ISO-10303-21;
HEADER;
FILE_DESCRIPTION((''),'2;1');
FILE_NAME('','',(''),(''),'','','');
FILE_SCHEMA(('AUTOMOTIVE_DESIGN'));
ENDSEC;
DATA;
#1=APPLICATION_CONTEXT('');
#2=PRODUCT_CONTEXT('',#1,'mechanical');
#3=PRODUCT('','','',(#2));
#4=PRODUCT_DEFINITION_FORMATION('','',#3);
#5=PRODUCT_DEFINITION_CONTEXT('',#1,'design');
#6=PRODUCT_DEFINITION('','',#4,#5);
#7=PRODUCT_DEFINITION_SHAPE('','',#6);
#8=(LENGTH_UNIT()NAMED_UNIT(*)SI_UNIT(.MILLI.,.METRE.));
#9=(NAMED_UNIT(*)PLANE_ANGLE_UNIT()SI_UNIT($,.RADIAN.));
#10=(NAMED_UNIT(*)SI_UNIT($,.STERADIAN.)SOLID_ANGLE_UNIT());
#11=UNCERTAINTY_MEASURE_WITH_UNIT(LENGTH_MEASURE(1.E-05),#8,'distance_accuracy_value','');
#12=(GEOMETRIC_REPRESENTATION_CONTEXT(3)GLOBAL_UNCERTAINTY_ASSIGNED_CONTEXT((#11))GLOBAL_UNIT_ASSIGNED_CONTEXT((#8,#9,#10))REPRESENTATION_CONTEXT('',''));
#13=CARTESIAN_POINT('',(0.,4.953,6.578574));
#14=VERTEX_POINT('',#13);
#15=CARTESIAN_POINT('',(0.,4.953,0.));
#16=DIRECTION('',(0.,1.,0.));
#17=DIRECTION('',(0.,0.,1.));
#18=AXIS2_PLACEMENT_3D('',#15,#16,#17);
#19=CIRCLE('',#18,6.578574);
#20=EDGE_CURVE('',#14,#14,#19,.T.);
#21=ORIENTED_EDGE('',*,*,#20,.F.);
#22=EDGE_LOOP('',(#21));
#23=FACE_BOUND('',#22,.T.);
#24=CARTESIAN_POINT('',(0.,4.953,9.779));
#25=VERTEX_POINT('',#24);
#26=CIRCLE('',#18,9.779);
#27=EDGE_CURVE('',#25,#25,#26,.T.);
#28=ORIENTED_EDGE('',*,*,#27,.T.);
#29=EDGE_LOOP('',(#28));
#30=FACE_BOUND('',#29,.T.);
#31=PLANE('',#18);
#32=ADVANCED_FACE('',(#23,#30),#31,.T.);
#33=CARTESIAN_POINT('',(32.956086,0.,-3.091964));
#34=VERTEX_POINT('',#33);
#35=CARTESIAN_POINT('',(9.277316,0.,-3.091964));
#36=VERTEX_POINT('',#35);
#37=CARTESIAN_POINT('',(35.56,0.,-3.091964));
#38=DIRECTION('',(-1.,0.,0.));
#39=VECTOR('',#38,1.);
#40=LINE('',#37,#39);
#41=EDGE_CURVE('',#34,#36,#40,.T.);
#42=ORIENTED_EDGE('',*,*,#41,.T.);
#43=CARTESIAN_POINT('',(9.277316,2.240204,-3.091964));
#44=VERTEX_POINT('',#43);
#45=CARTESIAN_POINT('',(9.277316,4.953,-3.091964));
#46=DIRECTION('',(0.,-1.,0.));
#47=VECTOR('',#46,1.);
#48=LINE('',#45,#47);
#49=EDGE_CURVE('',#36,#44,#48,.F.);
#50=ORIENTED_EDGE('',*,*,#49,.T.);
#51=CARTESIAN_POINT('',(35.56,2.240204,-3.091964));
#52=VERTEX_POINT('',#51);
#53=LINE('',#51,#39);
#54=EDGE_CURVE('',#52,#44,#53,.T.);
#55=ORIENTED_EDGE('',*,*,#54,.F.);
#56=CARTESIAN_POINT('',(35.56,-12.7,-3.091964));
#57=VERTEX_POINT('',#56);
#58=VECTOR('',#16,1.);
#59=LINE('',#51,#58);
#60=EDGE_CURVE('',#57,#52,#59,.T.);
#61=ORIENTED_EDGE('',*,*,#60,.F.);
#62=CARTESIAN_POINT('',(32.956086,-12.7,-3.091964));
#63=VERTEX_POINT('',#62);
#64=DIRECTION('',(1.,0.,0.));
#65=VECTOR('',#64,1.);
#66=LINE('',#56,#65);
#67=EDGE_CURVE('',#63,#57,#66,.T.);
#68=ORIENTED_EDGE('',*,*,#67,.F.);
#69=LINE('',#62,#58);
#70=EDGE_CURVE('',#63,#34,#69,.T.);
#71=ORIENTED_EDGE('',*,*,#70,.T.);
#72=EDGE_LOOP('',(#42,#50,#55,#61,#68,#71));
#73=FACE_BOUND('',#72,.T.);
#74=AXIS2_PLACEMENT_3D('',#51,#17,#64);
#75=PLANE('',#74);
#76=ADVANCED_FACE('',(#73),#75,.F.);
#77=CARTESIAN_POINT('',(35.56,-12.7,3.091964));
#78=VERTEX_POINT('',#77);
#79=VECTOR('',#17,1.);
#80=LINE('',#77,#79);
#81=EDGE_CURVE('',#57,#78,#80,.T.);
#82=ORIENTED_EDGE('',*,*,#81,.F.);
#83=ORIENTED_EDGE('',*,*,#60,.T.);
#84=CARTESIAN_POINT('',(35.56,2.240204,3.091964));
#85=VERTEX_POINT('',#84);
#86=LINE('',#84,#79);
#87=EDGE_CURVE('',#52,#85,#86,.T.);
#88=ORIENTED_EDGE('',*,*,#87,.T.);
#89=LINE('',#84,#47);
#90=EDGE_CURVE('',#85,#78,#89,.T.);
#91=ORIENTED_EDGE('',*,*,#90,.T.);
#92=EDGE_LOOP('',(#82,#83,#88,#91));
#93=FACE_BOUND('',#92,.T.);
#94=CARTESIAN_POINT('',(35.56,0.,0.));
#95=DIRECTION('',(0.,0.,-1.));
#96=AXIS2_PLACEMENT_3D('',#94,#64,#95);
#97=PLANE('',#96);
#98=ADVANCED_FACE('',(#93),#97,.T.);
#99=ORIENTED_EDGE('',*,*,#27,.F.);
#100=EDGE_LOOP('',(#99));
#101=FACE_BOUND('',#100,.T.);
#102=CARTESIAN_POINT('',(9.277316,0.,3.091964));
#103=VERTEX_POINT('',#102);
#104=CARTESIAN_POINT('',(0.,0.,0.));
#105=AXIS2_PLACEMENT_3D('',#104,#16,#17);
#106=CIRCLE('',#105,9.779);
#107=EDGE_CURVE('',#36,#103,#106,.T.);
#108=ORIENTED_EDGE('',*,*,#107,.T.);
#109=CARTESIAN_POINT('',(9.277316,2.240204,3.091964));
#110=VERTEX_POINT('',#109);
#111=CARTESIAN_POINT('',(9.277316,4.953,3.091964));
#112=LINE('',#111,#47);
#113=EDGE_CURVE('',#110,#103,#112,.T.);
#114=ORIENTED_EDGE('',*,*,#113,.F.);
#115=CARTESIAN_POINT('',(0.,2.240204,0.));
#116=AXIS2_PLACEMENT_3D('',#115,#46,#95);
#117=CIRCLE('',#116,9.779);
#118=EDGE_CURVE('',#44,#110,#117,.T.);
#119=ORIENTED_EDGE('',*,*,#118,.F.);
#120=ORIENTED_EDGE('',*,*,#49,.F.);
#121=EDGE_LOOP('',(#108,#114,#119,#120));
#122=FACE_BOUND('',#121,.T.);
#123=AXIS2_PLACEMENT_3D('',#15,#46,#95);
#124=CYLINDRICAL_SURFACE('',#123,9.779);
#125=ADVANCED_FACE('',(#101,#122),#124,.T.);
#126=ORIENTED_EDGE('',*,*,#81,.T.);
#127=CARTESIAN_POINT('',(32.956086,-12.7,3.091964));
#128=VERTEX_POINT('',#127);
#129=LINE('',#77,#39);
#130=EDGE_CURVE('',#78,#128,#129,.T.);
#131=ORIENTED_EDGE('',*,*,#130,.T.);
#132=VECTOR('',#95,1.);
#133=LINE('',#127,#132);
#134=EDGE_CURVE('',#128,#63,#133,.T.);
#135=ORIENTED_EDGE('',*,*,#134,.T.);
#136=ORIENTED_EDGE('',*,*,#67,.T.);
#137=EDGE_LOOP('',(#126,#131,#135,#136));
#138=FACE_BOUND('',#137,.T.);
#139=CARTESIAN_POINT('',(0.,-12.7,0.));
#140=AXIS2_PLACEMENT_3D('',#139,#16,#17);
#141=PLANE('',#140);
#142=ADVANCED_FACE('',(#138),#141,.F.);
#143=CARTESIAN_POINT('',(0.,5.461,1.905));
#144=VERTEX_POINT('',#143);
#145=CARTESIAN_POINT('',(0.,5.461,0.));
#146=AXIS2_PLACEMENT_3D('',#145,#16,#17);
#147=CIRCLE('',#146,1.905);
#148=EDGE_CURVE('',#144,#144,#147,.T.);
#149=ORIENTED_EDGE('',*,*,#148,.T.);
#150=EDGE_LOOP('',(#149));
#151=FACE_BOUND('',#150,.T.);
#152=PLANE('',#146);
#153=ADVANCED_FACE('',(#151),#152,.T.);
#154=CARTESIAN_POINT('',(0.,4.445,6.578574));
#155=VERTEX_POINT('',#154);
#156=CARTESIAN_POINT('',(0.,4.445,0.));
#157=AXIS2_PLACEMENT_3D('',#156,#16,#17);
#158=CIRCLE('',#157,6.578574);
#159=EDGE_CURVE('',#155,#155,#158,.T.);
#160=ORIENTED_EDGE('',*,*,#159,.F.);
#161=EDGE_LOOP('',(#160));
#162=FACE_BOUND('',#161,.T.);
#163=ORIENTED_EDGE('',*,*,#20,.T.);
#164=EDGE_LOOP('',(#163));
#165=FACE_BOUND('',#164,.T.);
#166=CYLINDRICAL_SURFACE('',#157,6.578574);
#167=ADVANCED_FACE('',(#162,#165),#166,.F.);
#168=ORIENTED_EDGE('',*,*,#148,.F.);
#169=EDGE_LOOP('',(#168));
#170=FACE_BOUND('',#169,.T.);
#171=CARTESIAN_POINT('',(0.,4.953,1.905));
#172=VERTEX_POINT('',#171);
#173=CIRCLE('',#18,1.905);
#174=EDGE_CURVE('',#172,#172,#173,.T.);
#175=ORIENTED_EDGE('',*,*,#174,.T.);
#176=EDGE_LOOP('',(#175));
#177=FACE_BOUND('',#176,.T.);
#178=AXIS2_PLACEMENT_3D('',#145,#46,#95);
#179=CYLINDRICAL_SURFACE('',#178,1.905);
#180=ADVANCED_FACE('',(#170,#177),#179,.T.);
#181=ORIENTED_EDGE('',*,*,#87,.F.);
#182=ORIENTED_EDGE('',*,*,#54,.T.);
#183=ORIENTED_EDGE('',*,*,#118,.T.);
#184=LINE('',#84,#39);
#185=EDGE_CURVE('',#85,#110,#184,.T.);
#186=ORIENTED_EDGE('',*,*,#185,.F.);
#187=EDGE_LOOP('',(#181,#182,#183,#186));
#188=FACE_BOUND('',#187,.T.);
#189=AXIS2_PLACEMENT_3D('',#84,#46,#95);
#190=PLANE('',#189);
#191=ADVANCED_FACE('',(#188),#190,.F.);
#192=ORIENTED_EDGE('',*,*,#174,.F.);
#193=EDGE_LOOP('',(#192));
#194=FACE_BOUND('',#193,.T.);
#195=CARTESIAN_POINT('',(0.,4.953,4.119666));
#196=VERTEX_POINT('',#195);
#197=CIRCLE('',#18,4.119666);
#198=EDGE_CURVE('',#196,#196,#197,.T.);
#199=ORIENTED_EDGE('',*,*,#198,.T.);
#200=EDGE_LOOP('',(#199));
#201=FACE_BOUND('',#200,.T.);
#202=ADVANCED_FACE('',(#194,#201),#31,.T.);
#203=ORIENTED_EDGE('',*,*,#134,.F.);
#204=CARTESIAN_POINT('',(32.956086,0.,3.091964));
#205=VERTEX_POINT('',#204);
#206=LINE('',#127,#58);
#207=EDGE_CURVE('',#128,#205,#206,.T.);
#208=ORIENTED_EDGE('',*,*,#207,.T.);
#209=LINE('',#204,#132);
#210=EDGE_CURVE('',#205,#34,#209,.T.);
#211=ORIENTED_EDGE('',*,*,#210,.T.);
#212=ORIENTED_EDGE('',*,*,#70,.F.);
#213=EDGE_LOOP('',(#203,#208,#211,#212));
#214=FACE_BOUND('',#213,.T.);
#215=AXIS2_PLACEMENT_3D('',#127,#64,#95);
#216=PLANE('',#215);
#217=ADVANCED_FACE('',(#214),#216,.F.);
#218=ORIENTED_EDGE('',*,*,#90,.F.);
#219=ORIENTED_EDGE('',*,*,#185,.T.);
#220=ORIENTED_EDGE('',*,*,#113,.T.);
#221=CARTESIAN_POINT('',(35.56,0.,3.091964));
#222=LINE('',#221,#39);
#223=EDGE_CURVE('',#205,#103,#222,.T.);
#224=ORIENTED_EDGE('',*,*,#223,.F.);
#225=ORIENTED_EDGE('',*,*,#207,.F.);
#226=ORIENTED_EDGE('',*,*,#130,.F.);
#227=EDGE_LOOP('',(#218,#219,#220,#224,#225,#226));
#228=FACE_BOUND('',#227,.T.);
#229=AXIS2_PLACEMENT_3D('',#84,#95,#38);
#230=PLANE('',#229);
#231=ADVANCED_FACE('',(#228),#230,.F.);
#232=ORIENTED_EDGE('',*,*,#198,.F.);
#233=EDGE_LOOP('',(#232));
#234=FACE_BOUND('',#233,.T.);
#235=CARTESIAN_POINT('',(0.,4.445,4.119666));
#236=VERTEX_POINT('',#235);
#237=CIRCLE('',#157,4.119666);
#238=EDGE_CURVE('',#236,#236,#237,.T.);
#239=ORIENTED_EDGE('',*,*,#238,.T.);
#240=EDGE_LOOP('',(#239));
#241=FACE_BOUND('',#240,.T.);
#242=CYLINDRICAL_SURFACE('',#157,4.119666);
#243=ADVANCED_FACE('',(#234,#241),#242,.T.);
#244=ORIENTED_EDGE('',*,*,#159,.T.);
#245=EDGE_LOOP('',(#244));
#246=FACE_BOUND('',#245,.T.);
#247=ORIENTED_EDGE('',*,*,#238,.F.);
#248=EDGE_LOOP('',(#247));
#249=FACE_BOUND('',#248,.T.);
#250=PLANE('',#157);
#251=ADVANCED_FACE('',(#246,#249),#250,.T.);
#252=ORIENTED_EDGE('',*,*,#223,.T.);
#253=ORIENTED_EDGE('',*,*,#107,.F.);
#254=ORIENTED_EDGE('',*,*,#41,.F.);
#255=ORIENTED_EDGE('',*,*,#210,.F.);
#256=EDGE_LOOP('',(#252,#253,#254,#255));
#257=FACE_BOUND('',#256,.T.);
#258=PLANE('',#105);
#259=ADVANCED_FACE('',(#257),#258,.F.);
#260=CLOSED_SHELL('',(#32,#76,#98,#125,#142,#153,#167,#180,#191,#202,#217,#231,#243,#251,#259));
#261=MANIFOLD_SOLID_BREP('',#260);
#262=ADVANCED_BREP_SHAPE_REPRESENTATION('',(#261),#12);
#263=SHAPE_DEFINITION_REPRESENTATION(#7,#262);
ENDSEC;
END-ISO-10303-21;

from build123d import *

# Parameters (mm, degrees)
SKETCH1_R           = 9.779
BOSS_EXTRUDE1_DEPTH = 4.953
SKETCH2_R           = 1.905
BOSS_EXTRUDE2_DEPTH = 0.508
SKETCH3_R           = 6.578574276
SKETCH3_R_2         = 4.119665811
CUT_EXTRUDE1_DEPTH  = 0.508
SKETCH4_W           = 6.183927722
SKETCH4_H           = 2.240204311
BOSS_EXTRUDE3_DEPTH = 35.56
SKETCH5_W           = 2.60391419
SKETCH5_H           = 6.183927722
BOSS_EXTRUDE4_DEPTH = 12.7


with BuildPart() as part:
    # Sketch1 → Boss-Extrude1 (new body)
    with BuildSketch(Plane(origin=(0, 0, 0), x_dir=(1, 0, 0), z_dir=(0, 1, 0))):
        Circle(SKETCH1_R)
    extrude(amount=BOSS_EXTRUDE1_DEPTH)

    # Sketch2 → Boss-Extrude2 (add)
    with BuildSketch(Plane(origin=(0, 4.953, 0), x_dir=(1, 0, 0), z_dir=(0, 1, 0))):
        Circle(SKETCH2_R)
    extrude(amount=BOSS_EXTRUDE2_DEPTH)

    # Sketch3 → Cut-Extrude1 (cut)
    with BuildSketch(Plane(origin=(0, 4.953, 0), x_dir=(1, 0, 0), z_dir=(0, 1, 0))):
        Circle(SKETCH3_R)
        Circle(SKETCH3_R_2, mode=Mode.SUBTRACT)
    extrude(amount=-CUT_EXTRUDE1_DEPTH, mode=Mode.SUBTRACT)

    # Sketch4 → Boss-Extrude3 (add)
    with BuildSketch(Plane(origin=(0, 0, 0), x_dir=(0, 0, -1), z_dir=(1, 0, 0))):
        with Locations((0, 1.120102156)):
            Rectangle(SKETCH4_W, SKETCH4_H)
    extrude(amount=BOSS_EXTRUDE3_DEPTH)

    # Sketch5 → Boss-Extrude4 (add)
    with BuildSketch(Plane.XZ):
        with Locations((34.258042905, 0)):
            Rectangle(SKETCH5_W, SKETCH5_H)
    extrude(amount=BOSS_EXTRUDE4_DEPTH)


solid = part.part
